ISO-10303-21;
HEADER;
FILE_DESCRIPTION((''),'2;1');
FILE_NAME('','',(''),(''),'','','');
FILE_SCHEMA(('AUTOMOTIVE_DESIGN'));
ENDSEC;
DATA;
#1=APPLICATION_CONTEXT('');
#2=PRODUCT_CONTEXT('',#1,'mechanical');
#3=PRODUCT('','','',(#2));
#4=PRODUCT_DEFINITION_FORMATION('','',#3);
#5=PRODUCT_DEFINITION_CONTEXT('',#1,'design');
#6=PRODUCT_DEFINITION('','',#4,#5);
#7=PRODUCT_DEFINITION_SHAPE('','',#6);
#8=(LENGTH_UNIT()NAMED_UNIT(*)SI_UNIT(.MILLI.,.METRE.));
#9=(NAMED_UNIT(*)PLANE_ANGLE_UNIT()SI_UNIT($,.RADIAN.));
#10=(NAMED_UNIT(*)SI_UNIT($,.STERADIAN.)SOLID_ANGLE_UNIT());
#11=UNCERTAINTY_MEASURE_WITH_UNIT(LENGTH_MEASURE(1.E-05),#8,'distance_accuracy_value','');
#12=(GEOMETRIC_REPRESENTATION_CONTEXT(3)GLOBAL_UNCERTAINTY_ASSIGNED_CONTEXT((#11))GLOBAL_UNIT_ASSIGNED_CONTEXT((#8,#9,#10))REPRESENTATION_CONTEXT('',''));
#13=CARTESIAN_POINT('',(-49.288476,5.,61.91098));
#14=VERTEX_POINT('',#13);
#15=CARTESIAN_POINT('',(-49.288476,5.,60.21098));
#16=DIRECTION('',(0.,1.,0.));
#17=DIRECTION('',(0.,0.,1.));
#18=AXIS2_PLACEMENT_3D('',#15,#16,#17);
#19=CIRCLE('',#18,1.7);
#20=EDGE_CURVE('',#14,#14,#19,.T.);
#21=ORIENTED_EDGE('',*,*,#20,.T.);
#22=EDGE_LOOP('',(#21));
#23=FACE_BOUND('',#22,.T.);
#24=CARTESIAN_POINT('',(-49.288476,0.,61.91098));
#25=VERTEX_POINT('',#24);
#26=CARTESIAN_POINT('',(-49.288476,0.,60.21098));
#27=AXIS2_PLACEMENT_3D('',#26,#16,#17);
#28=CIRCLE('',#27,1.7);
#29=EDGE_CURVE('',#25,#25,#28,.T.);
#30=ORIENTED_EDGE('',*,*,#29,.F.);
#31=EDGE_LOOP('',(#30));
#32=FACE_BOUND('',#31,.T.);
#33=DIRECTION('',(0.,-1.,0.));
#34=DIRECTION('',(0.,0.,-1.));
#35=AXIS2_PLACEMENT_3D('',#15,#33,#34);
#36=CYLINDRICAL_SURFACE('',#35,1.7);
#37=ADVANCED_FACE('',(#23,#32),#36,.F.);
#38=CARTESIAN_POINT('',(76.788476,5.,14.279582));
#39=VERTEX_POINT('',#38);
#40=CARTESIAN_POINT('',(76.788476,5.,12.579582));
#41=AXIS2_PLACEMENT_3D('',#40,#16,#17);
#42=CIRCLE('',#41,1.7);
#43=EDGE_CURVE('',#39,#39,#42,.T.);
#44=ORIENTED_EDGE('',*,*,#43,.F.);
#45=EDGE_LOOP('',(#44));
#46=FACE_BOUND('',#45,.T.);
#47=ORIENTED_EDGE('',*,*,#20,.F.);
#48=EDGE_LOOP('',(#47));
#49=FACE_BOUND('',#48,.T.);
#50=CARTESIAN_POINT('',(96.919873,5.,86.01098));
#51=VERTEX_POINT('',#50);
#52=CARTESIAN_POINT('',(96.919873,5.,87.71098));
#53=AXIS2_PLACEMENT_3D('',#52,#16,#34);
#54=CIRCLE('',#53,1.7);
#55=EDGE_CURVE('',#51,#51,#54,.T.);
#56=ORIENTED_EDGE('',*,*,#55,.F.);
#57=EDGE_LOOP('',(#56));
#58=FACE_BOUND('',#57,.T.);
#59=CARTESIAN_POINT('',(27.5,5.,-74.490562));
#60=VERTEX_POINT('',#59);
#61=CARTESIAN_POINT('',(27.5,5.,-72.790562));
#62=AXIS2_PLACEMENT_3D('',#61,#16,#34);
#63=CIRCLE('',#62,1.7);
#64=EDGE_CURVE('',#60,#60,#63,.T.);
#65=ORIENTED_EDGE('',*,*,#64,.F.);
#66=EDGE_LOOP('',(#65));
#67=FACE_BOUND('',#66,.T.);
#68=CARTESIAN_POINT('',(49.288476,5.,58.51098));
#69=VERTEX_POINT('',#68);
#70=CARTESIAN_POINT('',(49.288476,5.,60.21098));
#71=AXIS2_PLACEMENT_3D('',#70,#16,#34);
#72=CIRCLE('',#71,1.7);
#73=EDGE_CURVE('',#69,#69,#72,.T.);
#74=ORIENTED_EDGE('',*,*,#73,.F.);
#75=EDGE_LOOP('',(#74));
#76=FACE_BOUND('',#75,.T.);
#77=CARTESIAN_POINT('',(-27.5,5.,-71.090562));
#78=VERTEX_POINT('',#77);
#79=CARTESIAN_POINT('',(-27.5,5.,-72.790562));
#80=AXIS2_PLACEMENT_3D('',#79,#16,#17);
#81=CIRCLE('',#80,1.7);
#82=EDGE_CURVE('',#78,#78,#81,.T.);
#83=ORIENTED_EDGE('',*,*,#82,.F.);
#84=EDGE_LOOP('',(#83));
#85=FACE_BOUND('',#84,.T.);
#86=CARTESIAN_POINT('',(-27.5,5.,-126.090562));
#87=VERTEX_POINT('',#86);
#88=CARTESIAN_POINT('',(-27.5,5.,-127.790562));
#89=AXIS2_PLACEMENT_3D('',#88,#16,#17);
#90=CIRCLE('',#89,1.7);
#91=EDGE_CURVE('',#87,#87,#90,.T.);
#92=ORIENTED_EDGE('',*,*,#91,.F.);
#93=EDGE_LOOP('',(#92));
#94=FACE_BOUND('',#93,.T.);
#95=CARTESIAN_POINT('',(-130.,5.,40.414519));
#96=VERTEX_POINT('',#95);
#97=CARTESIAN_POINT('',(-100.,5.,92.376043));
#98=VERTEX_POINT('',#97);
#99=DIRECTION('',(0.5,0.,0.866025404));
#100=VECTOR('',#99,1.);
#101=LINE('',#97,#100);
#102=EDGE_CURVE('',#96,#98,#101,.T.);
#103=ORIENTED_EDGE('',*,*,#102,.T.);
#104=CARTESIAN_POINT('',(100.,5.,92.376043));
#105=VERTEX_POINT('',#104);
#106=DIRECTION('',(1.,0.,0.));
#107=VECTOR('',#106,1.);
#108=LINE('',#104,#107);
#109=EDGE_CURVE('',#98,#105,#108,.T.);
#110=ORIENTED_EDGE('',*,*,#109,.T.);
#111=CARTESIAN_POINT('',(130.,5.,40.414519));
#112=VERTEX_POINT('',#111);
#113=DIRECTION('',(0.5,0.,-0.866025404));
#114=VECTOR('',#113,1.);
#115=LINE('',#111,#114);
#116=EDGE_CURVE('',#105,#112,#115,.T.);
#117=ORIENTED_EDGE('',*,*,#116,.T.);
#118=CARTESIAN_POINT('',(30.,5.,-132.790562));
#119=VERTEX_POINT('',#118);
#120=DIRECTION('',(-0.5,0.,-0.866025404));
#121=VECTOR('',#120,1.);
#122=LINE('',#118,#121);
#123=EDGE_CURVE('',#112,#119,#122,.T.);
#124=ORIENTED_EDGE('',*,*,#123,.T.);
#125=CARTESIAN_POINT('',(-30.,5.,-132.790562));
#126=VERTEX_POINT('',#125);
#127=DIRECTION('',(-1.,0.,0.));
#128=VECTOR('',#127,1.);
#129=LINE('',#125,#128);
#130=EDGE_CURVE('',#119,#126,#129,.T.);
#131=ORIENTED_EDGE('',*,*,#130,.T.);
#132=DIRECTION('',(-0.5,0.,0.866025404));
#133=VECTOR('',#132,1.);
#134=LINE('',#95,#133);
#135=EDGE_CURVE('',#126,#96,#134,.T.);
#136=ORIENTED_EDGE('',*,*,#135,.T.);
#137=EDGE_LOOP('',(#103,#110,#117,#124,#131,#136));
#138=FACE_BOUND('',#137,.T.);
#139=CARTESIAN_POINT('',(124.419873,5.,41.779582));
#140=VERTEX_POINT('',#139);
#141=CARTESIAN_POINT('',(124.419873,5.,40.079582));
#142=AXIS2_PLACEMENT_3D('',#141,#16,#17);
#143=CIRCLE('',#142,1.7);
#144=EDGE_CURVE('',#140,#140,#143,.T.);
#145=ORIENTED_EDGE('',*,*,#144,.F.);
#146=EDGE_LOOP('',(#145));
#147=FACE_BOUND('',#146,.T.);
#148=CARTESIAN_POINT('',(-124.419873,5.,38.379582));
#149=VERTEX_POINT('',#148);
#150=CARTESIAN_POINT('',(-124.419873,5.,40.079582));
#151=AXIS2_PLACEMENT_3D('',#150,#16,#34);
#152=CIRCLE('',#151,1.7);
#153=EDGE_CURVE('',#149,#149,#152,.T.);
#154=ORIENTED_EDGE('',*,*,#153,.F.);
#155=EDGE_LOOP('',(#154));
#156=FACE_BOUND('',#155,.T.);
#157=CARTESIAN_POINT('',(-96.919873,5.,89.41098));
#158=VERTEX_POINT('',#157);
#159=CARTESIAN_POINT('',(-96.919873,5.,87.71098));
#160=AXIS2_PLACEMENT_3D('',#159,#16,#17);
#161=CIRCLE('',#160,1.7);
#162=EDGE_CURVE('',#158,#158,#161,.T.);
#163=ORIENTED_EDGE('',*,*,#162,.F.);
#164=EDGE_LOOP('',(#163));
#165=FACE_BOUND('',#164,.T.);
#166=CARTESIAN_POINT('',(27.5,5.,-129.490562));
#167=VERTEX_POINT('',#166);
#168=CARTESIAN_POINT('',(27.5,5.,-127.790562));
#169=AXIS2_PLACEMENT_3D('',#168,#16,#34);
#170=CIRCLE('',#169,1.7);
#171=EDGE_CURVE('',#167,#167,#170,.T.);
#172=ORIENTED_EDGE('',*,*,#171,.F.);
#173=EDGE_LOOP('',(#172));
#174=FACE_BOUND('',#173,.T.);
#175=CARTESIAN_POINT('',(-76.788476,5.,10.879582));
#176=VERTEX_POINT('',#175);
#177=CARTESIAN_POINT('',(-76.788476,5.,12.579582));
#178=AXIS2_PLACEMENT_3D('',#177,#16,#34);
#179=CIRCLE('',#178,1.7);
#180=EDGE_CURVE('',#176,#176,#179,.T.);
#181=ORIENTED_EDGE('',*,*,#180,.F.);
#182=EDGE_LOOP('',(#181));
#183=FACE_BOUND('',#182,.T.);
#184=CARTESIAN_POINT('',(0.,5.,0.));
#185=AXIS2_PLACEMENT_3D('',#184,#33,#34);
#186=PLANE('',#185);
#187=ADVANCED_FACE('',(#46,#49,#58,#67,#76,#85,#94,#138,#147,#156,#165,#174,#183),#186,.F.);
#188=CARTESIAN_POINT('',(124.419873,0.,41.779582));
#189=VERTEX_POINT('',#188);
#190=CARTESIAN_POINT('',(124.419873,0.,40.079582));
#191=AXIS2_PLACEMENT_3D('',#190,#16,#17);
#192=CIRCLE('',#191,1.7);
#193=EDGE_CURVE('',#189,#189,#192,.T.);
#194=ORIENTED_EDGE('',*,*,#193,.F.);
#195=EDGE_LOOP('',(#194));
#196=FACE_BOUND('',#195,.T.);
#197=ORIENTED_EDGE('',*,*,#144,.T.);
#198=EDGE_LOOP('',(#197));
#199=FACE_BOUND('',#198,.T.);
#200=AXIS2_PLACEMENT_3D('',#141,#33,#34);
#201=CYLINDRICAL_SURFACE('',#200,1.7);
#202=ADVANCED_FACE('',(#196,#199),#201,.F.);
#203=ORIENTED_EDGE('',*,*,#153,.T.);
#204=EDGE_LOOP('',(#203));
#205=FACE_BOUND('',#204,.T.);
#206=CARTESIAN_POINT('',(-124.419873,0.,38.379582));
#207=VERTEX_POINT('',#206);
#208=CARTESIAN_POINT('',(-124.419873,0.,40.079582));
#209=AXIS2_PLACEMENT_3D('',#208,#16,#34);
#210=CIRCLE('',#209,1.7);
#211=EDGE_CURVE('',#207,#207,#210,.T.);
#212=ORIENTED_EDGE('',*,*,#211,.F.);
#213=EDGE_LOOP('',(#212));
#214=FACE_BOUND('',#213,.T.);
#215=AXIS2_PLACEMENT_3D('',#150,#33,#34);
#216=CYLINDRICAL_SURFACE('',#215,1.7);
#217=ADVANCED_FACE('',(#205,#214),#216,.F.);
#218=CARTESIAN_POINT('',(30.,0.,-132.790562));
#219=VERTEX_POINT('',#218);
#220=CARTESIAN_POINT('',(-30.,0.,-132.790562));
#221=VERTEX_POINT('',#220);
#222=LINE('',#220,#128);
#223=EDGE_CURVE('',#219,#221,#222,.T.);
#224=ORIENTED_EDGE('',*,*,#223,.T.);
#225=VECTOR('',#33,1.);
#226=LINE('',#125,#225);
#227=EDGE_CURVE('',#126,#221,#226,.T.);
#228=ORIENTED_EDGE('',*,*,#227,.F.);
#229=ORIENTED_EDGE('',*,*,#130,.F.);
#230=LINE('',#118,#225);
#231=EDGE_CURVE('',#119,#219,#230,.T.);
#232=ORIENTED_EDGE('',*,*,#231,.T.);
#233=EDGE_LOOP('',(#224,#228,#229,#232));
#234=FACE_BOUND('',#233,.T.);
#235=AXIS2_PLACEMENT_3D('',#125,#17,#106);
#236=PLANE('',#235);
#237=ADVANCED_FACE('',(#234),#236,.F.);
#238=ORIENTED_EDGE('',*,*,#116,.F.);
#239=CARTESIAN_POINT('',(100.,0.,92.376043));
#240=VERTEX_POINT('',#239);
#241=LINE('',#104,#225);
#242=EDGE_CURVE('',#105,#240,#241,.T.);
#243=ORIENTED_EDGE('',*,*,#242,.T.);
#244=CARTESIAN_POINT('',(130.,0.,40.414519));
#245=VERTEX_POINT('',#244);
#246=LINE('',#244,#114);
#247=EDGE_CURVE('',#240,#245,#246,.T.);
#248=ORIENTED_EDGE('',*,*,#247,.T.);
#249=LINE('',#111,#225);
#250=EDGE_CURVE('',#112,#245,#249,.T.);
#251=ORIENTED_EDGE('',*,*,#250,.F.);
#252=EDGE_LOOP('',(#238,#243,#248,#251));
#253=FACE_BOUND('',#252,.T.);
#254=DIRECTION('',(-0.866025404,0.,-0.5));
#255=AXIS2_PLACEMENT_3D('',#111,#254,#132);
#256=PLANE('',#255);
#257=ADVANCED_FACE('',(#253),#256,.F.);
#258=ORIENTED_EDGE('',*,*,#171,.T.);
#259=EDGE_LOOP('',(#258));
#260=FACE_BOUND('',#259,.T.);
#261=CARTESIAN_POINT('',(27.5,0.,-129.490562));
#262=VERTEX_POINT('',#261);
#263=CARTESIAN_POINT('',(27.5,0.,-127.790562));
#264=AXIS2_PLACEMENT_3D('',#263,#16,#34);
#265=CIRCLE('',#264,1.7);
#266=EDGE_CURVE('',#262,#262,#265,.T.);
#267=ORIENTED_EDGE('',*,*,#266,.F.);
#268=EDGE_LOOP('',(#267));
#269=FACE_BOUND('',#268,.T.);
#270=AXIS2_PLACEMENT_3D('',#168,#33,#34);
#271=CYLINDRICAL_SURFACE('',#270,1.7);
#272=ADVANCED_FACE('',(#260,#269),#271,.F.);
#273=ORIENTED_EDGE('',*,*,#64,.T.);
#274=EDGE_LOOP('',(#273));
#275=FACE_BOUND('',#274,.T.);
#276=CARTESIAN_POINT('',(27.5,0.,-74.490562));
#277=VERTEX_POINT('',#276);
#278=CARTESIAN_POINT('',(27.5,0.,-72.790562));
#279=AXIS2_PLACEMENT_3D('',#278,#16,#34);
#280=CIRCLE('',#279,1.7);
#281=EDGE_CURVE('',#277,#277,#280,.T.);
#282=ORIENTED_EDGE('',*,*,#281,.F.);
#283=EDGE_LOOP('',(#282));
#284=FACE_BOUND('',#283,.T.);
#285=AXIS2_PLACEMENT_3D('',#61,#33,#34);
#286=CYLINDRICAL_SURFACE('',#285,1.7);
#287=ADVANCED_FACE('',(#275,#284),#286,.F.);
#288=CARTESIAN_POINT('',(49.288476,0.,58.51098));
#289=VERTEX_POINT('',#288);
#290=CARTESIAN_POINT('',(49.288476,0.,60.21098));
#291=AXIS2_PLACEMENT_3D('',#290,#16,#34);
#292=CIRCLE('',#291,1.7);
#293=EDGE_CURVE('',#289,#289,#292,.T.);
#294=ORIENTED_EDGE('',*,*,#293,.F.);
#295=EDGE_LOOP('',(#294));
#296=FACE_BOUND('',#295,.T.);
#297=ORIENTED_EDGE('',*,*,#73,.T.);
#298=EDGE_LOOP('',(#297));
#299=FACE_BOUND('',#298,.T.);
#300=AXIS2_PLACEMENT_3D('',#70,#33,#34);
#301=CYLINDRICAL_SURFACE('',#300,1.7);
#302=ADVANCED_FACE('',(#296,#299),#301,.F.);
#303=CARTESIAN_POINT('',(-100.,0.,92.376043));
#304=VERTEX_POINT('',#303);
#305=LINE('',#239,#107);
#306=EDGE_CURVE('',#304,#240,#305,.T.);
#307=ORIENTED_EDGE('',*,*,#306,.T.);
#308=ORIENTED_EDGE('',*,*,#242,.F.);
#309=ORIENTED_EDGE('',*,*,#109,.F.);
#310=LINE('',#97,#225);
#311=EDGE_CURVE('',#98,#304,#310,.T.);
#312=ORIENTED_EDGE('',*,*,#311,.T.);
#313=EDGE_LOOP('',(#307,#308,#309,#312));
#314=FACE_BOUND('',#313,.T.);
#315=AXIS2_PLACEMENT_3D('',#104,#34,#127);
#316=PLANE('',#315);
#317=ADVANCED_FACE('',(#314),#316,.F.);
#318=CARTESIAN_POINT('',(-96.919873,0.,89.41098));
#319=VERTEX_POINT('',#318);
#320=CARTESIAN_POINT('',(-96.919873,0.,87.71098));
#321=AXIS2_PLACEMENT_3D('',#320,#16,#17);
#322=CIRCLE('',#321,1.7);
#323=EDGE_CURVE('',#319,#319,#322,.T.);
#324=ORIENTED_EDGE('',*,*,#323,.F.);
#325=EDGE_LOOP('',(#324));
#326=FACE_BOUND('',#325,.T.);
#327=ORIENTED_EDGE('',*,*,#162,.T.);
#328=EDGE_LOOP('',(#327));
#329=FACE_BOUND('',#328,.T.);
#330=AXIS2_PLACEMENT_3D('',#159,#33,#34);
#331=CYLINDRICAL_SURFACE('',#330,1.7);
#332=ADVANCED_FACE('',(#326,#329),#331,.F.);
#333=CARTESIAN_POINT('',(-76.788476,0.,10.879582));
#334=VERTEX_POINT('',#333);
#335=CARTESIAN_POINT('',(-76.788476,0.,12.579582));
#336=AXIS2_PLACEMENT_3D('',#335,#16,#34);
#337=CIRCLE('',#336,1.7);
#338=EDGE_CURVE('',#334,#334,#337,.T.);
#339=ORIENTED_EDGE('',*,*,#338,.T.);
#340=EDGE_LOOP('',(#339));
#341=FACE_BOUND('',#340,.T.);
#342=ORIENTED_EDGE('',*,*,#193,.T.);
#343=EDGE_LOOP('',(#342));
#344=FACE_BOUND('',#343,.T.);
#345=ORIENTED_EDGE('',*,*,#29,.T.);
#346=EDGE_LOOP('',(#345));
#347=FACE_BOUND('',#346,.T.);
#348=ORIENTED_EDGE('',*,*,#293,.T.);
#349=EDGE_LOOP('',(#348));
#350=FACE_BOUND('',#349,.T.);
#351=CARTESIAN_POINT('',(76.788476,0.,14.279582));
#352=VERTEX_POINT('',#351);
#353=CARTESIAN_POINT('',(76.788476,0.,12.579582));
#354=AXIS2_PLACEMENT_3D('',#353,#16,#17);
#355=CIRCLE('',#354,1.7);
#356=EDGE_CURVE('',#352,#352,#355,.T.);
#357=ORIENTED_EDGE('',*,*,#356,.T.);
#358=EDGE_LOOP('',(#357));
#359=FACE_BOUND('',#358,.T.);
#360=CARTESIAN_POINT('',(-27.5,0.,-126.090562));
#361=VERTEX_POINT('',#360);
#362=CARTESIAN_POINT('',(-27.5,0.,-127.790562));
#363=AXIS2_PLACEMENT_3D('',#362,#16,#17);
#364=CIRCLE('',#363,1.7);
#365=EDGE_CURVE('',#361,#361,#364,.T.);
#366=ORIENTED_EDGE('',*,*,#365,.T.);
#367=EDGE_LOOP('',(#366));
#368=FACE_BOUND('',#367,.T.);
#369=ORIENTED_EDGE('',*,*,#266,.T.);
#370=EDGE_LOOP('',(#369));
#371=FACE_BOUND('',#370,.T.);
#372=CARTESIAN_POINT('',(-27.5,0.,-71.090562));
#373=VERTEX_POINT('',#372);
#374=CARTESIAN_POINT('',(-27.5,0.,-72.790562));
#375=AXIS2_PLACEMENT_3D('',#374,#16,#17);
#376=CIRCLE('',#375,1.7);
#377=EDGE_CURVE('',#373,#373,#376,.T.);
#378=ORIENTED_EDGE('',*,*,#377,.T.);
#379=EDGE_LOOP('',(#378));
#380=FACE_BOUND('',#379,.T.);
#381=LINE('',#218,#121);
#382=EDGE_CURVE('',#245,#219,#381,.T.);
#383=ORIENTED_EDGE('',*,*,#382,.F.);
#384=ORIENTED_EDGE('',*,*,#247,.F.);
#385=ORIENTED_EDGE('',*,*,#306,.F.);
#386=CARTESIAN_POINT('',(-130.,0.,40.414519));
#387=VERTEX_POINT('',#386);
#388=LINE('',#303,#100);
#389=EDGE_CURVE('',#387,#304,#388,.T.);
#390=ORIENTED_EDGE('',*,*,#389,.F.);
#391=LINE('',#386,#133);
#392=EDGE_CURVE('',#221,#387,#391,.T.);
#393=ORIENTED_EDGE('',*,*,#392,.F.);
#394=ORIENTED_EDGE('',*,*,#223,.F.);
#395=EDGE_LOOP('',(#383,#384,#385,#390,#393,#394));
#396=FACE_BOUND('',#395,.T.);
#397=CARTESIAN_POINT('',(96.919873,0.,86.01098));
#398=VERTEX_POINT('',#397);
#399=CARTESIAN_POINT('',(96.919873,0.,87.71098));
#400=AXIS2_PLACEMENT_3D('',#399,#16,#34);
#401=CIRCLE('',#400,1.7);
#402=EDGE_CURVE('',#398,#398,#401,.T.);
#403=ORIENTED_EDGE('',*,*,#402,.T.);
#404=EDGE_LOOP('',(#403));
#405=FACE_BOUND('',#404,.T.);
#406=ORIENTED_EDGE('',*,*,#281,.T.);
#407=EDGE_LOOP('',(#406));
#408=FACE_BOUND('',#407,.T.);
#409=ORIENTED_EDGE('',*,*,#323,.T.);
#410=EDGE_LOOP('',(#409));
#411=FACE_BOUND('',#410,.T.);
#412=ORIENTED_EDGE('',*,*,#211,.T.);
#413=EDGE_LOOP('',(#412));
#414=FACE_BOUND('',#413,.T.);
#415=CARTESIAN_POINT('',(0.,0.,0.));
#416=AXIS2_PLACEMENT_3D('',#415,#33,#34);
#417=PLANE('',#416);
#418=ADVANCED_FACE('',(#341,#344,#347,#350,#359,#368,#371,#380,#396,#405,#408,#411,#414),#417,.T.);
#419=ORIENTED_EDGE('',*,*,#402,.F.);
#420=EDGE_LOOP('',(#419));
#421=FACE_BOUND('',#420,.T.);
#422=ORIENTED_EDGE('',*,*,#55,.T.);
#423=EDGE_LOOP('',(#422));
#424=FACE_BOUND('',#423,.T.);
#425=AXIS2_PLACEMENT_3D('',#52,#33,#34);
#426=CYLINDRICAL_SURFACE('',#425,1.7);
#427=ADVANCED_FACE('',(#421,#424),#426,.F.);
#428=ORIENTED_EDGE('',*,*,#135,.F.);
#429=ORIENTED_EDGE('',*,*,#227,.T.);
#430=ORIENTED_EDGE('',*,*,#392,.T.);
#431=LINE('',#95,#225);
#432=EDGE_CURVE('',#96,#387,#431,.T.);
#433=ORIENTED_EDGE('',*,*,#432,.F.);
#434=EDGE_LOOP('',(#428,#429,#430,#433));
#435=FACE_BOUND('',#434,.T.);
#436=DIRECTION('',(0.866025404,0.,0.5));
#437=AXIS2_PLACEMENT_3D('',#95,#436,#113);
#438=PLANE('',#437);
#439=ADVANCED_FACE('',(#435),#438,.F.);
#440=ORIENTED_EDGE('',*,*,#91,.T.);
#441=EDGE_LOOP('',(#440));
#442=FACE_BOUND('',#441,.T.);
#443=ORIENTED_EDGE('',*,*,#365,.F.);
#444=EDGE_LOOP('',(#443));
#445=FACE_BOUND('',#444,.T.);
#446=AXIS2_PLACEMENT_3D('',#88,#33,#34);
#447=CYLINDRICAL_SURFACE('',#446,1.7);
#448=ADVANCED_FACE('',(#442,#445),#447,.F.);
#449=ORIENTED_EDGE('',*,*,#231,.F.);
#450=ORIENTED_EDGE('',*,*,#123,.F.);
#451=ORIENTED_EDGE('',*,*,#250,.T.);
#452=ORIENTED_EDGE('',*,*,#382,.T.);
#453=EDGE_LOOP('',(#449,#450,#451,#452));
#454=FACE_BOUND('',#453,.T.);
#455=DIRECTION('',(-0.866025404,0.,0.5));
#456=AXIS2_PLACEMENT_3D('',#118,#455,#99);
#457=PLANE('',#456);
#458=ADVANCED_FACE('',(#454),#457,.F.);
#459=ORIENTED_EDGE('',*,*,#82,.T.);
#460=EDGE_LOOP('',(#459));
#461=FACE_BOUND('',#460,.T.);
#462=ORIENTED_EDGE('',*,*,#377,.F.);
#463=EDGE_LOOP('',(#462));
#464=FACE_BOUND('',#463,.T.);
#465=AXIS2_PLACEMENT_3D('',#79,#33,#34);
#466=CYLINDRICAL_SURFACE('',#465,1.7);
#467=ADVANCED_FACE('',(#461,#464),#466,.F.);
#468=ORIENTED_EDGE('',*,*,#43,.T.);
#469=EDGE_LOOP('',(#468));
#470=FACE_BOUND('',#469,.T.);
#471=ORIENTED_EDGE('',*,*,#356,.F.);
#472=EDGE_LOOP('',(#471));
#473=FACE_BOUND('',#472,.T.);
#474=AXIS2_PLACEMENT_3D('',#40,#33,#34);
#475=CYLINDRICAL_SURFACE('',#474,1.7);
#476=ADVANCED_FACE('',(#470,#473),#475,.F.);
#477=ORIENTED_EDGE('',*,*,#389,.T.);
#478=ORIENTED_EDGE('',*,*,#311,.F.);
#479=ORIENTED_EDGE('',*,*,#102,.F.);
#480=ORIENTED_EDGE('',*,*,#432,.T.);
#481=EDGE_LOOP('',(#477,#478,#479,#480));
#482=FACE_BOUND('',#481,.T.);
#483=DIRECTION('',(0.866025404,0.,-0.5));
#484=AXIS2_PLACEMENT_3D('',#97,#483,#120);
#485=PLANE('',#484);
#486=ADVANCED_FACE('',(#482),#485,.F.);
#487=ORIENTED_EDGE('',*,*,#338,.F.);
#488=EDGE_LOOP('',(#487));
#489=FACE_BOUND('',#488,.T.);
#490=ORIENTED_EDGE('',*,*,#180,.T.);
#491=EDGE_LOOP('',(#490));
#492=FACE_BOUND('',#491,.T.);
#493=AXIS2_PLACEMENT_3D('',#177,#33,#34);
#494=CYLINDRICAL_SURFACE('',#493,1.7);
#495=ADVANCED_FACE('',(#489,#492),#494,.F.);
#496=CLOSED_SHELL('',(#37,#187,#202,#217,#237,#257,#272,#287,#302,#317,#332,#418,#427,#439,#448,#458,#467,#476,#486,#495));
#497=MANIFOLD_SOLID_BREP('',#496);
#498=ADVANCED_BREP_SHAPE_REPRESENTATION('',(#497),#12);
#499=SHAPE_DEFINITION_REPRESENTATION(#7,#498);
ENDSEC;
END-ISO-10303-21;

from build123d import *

# Parameters (mm, degrees)
SKETCH1_R           = 1.7
BOSS_EXTRUDE1_DEPTH = 5


with BuildPart() as part:
    # Sketch1 → Boss-Extrude1 (new body)
    with BuildSketch(Plane(origin=(0, 0, 0), x_dir=(1, 0, 0), z_dir=(0, 1, 0))):
        Polygon((-30, 132.790561914), (30, 132.790561914), (130, -40.414518843), (100, -92.37604307), (-100, -92.37604307), (-130, -40.414518843), align=None)
        with Locations(Location((-27.5, 127.790561914, 0), (0, 0, 270))):
            Circle(SKETCH1_R, mode=Mode.SUBTRACT)
        with Locations(Location((-27.5, 72.790561914, 0), (0, 0, 270))):
            Circle(SKETCH1_R, mode=Mode.SUBTRACT)
        with Locations(Location((27.5, 127.790561914, 0), (0, 0, 90))):
            Circle(SKETCH1_R, mode=Mode.SUBTRACT)
        with Locations(Location((27.5, 72.790561914, 0), (0, 0, 90))):
            Circle(SKETCH1_R, mode=Mode.SUBTRACT)
        with Locations(Location((76.788475773, -12.579582353, 0), (0, 0, 270))):
            Circle(SKETCH1_R, mode=Mode.SUBTRACT)
        with Locations(Location((49.288475773, -60.210979561, 0), (0, 0, 90))):
            Circle(SKETCH1_R, mode=Mode.SUBTRACT)
        with Locations(Location((96.919872981, -87.710979561, 0), (0, 0, 90))):
            Circle(SKETCH1_R, mode=Mode.SUBTRACT)
        with Locations(Location((124.419872981, -40.079582353, 0), (0, 0, 270))):
            Circle(SKETCH1_R, mode=Mode.SUBTRACT)
        with Locations(Location((-49.288475773, -60.210979561, 0), (0, 0, 270))):
            Circle(SKETCH1_R, mode=Mode.SUBTRACT)
        with Locations(Location((-76.788475773, -12.579582353, 0), (0, 0, 90))):
            Circle(SKETCH1_R, mode=Mode.SUBTRACT)
        with Locations(Location((-124.419872981, -40.079582353, 0), (0, 0, 90))):
            Circle(SKETCH1_R, mode=Mode.SUBTRACT)
        with Locations(Location((-96.919872981, -87.710979561, 0), (0, 0, 270))):
            Circle(SKETCH1_R, mode=Mode.SUBTRACT)
    extrude(amount=BOSS_EXTRUDE1_DEPTH)


solid = part.part
